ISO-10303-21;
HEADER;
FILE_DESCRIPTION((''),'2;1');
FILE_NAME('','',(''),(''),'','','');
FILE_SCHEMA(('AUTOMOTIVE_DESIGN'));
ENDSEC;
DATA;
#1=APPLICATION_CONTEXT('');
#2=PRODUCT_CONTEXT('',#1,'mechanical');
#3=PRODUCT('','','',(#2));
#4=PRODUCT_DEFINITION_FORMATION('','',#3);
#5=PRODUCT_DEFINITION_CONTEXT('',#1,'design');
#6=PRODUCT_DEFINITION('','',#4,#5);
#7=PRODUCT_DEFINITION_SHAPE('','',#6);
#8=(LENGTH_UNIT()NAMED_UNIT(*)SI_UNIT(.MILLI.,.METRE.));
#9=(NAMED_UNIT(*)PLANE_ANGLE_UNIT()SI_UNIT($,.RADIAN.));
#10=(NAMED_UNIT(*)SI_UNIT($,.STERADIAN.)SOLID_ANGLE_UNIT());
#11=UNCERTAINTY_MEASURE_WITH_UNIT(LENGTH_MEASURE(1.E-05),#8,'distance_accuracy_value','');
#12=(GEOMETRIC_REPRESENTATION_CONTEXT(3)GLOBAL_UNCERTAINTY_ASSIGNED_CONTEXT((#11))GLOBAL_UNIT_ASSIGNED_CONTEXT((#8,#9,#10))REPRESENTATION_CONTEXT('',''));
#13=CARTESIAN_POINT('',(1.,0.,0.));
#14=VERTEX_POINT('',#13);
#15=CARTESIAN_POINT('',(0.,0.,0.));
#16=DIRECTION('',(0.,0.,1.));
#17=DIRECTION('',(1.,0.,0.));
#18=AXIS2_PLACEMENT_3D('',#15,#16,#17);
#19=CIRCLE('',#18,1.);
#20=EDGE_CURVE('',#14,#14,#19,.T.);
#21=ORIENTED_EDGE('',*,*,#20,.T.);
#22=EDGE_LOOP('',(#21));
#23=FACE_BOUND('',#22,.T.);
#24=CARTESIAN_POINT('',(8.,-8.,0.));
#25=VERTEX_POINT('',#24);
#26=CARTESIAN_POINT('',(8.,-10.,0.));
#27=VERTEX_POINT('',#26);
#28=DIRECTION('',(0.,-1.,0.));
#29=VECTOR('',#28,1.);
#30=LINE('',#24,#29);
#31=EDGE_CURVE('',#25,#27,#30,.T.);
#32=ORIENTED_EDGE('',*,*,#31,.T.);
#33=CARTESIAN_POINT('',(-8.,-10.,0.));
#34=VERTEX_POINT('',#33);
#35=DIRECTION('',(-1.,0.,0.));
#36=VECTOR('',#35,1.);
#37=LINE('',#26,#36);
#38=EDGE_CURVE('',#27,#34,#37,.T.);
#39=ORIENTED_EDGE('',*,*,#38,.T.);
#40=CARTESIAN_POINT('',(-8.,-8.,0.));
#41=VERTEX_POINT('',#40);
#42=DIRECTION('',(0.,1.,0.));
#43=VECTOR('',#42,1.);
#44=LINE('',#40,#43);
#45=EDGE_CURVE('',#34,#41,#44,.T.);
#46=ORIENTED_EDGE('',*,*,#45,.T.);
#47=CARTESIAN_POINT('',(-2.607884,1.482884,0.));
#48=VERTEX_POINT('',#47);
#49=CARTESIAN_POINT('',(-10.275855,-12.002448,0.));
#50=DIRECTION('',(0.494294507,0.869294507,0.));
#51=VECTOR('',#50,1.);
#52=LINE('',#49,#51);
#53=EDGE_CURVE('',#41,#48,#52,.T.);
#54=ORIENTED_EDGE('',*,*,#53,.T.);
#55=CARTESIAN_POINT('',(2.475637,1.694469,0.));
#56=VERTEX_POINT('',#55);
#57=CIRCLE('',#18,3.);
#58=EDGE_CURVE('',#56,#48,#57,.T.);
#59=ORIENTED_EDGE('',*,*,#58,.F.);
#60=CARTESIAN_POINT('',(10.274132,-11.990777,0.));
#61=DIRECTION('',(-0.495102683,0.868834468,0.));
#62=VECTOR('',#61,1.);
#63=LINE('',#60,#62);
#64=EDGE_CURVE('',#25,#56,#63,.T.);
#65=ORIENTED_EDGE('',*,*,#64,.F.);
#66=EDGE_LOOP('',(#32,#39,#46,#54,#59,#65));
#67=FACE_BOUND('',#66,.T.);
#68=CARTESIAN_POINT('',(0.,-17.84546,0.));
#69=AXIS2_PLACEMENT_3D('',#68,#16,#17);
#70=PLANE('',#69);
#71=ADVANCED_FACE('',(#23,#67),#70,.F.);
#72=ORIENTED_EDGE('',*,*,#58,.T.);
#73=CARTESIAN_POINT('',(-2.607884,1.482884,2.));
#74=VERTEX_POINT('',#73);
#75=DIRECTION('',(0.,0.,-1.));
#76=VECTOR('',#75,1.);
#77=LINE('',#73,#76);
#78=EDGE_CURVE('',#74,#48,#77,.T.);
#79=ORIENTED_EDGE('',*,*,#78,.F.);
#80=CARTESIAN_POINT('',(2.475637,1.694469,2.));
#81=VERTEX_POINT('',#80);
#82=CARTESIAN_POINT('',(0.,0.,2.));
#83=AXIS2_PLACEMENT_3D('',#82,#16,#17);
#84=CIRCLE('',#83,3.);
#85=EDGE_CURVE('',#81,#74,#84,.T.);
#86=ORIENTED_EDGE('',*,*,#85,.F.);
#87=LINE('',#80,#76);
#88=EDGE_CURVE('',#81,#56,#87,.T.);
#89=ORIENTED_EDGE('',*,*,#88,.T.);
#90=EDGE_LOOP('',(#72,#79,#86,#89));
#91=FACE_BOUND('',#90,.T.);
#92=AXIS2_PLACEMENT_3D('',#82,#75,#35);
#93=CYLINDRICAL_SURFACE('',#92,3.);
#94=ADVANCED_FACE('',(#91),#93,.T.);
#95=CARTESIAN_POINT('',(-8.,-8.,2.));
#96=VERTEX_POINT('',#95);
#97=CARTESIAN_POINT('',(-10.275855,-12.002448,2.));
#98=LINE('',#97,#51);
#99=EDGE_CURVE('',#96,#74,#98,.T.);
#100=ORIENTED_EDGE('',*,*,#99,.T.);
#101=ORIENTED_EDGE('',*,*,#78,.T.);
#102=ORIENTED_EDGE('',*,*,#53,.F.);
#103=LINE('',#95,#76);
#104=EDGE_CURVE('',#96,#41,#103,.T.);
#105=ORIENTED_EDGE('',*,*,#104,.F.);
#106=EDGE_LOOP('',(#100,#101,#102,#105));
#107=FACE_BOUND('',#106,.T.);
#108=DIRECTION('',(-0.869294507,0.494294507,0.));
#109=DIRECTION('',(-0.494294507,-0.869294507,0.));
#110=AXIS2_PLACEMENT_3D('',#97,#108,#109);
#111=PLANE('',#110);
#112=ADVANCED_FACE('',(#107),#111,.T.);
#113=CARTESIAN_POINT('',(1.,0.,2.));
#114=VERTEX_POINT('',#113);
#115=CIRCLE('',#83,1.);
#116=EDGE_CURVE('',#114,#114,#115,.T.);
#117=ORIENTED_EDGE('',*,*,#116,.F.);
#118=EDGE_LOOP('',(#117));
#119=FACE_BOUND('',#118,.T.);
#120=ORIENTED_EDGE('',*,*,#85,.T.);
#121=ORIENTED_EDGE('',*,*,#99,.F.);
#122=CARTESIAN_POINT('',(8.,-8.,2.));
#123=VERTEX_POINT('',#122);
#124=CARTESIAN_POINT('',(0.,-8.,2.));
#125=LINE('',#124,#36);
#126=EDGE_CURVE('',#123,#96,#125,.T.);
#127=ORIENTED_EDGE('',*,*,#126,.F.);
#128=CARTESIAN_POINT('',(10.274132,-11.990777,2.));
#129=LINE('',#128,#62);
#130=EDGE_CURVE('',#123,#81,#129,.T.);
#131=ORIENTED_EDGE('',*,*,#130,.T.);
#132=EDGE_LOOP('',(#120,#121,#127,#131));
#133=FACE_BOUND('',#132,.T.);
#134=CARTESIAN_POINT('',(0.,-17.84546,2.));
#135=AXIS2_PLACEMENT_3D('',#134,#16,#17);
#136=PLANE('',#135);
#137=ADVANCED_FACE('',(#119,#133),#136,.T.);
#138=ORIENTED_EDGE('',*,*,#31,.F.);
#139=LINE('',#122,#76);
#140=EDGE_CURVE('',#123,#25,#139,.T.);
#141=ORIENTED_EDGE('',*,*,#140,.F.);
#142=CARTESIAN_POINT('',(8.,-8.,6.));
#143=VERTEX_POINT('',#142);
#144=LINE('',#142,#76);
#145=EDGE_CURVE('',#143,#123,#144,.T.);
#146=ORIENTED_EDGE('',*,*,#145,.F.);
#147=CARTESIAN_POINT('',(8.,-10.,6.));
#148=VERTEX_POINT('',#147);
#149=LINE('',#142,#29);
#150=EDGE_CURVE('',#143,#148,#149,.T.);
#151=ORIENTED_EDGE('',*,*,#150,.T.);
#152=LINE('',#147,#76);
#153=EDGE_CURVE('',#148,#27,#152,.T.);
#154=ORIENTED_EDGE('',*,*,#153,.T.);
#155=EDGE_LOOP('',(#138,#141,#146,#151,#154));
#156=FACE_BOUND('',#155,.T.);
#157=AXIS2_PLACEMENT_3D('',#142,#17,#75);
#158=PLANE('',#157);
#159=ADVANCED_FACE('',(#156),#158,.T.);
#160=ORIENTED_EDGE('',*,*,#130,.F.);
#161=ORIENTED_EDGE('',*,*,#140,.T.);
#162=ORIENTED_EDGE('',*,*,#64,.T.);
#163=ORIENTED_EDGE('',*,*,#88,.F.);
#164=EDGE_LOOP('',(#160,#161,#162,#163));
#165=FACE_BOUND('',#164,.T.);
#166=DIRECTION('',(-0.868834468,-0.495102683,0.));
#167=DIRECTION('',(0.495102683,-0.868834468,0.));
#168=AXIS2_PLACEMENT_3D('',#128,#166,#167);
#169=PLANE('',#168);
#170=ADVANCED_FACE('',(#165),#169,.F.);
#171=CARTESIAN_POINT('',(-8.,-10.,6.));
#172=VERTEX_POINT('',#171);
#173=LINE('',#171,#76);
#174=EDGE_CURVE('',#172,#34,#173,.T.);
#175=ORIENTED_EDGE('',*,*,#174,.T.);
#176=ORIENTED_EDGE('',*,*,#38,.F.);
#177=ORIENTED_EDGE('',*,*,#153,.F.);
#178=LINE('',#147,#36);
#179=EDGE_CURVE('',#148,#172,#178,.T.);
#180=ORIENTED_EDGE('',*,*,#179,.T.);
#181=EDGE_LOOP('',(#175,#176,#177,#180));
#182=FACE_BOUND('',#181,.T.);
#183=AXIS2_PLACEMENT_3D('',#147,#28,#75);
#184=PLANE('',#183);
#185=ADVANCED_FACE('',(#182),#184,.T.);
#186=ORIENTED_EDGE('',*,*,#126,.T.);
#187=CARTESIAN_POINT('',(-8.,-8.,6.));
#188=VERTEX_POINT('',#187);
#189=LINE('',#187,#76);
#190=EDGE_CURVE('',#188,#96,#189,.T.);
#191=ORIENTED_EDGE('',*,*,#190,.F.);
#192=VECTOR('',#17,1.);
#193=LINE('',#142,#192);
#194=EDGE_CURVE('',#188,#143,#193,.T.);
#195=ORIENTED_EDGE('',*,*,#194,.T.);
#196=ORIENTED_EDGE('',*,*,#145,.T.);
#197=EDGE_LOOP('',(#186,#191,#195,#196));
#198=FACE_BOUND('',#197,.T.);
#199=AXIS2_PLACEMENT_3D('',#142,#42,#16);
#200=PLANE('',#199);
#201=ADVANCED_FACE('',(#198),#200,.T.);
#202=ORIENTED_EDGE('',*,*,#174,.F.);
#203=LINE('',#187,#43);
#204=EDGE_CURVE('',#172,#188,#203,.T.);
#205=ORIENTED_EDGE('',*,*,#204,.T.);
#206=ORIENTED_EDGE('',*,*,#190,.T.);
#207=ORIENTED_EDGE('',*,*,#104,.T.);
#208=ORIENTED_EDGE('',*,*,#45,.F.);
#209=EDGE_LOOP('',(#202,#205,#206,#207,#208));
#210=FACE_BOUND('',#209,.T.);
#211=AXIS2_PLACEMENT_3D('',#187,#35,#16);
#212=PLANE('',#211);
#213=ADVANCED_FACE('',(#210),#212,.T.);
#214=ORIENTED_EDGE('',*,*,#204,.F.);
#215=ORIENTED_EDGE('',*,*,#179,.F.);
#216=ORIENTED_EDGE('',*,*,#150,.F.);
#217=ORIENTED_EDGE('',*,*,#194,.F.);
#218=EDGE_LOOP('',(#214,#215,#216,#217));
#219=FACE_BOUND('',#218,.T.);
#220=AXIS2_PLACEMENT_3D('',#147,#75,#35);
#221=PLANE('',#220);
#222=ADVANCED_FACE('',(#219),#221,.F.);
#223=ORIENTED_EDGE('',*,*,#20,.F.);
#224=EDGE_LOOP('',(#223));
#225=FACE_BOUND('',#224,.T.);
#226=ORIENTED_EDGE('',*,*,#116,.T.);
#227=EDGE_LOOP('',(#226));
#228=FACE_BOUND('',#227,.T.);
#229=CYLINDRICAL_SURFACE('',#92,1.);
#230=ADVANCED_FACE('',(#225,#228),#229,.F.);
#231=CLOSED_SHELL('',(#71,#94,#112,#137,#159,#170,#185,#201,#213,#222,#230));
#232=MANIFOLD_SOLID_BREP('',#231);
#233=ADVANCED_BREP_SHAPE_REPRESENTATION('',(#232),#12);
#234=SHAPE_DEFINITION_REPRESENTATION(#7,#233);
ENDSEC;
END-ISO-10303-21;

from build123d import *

# Parameters (mm, degrees)
EXTRUDE_1_DEPTH = 2
SKETCH_2_W      = 16
SKETCH_2_H      = 2
EXTRUDE_2_DEPTH = 6


with BuildPart() as part:
    # 草图1 → 凸台-拉伸1 (new body)
    with BuildSketch(Plane.XY):
        with BuildLine():
            Line((-8, -8), (0, -8))
            Line((0, -8), (8, -8))
            Line((8, -8), (2.719740406, 1.26610115))
            Line((2.719740406, 1.26610115), (2.475636513, 1.694468606))
            ThreePointArc((2.475636513, 1.694468606), (-0.124757283, 2.997404814), (-2.607883521, 1.482883521))
            Line((-2.607883521, 1.482883521), (-8, -8))
        make_face()
        with BuildLine():
            ThreePointArc((0, -1), (-0.707106781, 0.707106781), (1, 0))
            ThreePointArc((1, 0), (0.707106781, -0.707106781), (0, -1))
        make_face(mode=Mode.SUBTRACT)
    extrude(amount=EXTRUDE_1_DEPTH)

    # 草图2 → 凸台-拉伸2 (add)
    with BuildSketch(Plane(origin=(0, 0, 0), x_dir=(-1, 0, 0), z_dir=(0, 0, -1))):
        with Locations((0, -9)):
            Rectangle(SKETCH_2_W, SKETCH_2_H)
    extrude(amount=-EXTRUDE_2_DEPTH)


solid = part.part
